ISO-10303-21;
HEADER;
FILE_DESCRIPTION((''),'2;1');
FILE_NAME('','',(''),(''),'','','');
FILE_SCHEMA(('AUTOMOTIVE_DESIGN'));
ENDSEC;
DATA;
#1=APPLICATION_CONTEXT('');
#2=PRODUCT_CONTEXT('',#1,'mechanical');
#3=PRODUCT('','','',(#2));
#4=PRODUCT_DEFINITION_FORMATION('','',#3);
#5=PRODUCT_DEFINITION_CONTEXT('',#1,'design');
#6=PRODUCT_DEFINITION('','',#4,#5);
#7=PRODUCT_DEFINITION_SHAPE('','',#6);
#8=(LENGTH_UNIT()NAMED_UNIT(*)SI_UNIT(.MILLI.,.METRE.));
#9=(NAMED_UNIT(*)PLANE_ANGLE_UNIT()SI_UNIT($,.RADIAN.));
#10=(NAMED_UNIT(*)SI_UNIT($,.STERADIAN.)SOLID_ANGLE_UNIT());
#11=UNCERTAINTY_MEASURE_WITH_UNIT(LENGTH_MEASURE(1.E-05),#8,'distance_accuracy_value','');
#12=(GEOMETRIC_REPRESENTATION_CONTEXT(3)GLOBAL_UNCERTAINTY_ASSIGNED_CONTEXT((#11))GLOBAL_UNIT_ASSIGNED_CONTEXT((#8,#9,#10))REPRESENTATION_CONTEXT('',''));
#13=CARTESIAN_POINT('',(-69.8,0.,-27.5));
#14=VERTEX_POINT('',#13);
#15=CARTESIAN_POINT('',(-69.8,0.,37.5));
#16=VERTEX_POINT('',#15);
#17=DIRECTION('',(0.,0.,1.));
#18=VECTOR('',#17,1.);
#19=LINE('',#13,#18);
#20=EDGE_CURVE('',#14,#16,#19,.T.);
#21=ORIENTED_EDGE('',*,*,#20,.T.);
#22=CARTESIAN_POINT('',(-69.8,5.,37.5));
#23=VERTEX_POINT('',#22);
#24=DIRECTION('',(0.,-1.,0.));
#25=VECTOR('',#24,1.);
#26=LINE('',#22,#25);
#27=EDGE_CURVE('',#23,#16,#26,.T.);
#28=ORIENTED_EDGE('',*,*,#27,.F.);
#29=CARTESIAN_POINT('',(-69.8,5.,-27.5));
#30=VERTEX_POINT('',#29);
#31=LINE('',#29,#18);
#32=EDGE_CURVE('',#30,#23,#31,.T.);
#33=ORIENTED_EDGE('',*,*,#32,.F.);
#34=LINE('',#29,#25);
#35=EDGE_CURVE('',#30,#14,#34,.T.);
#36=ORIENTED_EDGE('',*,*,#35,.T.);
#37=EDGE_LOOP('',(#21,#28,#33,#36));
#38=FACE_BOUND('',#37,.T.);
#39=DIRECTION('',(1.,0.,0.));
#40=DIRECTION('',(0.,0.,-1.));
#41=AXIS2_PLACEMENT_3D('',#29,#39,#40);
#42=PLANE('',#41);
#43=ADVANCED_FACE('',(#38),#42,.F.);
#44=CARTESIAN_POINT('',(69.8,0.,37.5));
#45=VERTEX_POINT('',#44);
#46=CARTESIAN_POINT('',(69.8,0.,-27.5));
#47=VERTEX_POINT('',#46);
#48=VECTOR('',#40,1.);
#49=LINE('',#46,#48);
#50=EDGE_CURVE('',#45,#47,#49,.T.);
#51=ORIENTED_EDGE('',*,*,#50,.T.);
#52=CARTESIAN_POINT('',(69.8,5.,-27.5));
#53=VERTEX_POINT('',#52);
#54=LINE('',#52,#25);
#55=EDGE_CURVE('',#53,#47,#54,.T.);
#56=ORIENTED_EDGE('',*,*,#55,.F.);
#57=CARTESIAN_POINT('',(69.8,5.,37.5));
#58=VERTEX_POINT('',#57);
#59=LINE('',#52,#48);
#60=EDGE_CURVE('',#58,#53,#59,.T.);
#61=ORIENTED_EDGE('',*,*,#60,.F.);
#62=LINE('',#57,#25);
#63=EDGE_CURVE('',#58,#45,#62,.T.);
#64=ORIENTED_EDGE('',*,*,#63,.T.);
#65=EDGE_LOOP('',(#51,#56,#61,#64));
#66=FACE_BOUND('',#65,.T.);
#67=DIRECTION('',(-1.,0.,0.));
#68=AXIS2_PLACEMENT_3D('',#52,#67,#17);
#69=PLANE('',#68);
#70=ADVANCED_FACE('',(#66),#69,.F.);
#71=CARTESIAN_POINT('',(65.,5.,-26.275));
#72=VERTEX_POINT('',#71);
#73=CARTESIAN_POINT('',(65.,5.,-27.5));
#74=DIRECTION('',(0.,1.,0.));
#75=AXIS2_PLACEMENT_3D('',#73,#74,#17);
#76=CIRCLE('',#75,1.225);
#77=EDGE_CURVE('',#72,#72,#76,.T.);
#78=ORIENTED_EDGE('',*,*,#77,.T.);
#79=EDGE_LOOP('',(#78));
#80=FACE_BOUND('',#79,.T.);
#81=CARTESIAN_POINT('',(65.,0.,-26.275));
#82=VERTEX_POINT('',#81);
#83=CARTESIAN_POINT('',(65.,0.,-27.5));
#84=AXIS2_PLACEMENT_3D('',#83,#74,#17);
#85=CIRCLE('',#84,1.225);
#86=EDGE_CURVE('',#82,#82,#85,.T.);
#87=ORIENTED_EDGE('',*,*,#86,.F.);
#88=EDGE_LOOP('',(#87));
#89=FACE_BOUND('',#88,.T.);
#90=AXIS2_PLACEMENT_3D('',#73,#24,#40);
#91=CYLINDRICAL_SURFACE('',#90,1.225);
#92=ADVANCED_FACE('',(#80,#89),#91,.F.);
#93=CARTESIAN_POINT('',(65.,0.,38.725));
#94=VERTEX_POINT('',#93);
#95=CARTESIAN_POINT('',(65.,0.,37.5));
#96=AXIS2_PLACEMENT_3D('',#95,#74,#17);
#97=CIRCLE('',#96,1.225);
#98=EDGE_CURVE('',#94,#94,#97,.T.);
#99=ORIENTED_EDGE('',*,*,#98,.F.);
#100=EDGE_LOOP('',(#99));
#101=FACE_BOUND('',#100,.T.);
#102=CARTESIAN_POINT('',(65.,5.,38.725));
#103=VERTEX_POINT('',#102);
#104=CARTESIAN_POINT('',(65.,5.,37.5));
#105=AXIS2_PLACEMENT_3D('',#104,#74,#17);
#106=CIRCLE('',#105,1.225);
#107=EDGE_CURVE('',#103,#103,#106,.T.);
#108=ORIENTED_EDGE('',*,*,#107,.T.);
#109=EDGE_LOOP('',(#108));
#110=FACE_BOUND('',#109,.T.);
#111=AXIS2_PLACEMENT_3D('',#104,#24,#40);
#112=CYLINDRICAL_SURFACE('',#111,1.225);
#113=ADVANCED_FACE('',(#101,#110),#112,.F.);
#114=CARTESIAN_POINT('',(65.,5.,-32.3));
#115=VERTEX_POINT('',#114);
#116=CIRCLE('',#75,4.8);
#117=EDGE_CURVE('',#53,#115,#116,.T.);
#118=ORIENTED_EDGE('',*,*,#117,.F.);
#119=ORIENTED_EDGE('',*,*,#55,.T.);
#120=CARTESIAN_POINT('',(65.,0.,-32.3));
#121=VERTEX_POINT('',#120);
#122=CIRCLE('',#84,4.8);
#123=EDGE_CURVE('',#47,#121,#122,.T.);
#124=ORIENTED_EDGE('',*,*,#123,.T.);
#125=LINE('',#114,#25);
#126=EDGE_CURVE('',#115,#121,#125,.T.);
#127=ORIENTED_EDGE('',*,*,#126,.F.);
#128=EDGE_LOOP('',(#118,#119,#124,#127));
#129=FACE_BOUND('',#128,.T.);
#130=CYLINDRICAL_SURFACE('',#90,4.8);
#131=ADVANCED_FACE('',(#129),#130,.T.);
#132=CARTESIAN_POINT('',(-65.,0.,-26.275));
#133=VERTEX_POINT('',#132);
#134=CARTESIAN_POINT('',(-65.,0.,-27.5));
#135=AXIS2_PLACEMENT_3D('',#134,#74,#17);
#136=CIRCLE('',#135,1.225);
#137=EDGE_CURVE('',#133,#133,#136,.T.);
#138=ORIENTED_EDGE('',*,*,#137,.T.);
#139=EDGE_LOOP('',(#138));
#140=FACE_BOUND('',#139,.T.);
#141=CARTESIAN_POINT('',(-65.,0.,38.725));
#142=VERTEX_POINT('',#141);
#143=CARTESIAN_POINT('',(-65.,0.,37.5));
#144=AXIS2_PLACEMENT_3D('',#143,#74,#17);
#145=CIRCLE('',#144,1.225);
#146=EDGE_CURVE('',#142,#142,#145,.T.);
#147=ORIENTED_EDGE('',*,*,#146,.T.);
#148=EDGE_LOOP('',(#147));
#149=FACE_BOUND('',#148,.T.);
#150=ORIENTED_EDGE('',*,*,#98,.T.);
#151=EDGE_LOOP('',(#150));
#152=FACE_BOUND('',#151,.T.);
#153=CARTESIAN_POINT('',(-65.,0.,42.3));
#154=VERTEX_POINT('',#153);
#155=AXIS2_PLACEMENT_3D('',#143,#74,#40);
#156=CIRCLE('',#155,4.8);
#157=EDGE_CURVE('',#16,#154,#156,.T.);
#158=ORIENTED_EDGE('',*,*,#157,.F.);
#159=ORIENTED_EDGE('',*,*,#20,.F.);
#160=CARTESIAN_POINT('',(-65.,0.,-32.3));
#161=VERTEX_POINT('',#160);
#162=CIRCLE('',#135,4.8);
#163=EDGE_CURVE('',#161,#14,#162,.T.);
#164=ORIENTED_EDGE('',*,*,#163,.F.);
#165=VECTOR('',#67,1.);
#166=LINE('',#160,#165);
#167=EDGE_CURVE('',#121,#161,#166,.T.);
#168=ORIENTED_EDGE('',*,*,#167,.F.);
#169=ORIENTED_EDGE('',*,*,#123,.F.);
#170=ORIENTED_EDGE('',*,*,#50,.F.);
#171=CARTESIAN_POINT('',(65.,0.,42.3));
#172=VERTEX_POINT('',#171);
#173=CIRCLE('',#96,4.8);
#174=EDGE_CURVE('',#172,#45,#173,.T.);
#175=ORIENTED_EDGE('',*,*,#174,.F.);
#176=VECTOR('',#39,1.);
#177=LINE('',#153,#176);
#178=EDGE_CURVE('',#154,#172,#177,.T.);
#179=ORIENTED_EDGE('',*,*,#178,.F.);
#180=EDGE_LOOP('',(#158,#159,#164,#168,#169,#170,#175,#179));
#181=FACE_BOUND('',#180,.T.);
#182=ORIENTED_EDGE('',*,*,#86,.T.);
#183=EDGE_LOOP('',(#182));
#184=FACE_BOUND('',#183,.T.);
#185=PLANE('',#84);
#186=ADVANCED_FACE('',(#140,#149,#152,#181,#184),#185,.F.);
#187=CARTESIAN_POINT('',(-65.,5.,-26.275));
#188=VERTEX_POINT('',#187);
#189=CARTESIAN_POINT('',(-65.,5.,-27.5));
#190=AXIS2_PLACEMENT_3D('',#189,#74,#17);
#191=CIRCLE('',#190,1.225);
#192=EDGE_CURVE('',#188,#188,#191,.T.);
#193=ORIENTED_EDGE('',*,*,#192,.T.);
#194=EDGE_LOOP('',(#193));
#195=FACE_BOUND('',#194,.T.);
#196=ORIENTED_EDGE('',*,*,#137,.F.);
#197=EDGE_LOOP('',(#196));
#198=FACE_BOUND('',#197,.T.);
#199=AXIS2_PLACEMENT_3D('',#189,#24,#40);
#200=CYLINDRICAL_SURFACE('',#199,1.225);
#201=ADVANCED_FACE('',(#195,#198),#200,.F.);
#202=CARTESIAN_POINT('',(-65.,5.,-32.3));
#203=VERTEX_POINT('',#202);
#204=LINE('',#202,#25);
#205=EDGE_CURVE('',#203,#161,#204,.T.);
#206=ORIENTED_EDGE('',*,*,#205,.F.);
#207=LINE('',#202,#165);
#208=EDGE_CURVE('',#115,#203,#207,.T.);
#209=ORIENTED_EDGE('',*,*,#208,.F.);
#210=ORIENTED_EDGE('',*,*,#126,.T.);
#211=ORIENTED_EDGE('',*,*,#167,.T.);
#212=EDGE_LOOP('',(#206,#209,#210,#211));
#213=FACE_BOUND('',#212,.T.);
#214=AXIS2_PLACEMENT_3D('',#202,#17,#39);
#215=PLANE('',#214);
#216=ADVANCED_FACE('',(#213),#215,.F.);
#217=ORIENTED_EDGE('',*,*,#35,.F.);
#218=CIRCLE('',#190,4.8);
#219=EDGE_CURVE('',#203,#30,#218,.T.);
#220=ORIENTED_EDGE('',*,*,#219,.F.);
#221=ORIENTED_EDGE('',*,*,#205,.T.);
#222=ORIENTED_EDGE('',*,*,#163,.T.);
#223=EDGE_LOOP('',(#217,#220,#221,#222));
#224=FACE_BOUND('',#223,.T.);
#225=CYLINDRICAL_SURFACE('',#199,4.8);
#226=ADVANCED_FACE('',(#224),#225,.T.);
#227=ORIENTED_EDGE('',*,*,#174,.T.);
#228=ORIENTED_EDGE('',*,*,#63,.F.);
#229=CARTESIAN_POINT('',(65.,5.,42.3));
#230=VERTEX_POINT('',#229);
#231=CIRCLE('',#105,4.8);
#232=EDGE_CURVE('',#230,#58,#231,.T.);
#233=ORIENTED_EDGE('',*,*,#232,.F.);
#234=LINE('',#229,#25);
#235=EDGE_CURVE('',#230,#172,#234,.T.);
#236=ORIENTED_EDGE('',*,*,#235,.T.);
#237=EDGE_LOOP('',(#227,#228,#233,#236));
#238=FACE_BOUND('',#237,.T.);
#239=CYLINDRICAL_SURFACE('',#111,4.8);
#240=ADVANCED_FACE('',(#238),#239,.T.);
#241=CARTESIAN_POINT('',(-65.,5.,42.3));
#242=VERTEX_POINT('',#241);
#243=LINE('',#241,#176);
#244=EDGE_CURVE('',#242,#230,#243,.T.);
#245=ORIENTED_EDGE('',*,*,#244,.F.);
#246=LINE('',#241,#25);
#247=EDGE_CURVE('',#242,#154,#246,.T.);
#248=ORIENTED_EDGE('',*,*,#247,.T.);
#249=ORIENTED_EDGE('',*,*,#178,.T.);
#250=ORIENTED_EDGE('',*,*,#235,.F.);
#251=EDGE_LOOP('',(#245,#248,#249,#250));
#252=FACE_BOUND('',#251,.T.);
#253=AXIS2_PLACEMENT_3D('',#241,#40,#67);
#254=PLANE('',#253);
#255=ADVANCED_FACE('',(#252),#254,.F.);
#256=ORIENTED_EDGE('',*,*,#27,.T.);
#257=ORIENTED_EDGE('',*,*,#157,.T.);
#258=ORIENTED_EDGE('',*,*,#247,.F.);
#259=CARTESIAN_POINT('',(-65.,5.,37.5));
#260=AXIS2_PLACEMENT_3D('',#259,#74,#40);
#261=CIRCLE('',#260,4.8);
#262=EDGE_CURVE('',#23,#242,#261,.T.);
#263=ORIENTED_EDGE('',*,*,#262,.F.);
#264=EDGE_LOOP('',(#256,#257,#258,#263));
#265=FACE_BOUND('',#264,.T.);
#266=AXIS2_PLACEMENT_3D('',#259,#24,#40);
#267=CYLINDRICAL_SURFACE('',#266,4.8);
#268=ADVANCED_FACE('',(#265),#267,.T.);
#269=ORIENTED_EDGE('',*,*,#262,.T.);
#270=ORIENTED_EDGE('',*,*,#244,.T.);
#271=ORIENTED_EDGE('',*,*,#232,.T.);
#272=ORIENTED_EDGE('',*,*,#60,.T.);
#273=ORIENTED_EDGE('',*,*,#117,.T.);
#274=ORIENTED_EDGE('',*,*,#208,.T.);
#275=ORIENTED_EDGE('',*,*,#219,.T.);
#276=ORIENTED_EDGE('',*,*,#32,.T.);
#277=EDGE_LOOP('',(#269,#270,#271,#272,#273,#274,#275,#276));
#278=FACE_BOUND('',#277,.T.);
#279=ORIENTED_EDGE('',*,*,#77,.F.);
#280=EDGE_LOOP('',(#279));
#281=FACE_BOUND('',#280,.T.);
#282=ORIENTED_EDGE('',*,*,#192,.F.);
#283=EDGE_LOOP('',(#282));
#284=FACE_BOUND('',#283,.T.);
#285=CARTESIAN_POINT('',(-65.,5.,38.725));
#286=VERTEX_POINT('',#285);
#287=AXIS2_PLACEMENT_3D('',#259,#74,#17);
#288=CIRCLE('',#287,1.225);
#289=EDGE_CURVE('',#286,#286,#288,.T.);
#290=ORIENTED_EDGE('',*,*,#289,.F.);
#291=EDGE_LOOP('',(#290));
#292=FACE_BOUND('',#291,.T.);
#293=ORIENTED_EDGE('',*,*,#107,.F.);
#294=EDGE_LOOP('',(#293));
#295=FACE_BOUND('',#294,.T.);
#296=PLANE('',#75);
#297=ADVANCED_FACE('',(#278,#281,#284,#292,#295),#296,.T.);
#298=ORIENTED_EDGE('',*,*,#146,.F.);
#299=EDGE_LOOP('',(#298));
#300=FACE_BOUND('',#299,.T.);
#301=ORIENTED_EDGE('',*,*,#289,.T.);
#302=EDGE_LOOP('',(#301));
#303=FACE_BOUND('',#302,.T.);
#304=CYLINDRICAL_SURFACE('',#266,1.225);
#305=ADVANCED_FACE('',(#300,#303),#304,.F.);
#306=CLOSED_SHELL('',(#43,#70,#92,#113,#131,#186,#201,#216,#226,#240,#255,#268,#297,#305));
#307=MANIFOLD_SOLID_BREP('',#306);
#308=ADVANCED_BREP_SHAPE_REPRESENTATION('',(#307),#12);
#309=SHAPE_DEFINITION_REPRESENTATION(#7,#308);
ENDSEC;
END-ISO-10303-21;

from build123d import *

# Parameters (mm, degrees)
SKETCH_2_R      = 1.225
EXTRUDE_2_DEPTH = 5


with BuildPart() as part:
    # 草图2 → 凸台-拉伸2 (new body)
    with BuildSketch(Plane(origin=(0, 0, 0), x_dir=(1, 0, 0), z_dir=(0, 1, 0))):
        with BuildLine():
            Line((69.8, 27.5), (69.8, -37.5))
            ThreePointArc((69.8, -37.5), (68.39411255, -40.89411255), (65, -42.3))
            Line((65, -42.3), (-65, -42.3))
            ThreePointArc((-65, -42.3), (-68.39411255, -40.89411255), (-69.8, -37.5))
            Line((-69.8, -37.5), (-69.8, 27.5))
            ThreePointArc((-69.8, 27.5), (-68.39411255, 30.89411255), (-65, 32.3))
            Line((-65, 32.3), (65, 32.3))
            ThreePointArc((65, 32.3), (68.39411255, 30.89411255), (69.8, 27.5))
        make_face()
        with Locations(Location((-65, 27.5, 0), (0, 0, 270))):
            Circle(SKETCH_2_R, mode=Mode.SUBTRACT)
        with Locations(Location((65, 27.5, 0), (0, 0, 270))):
            Circle(SKETCH_2_R, mode=Mode.SUBTRACT)
        with Locations(Location((65, -37.5, 0), (0, 0, 270))):
            Circle(SKETCH_2_R, mode=Mode.SUBTRACT)
        with Locations(Location((-65, -37.5, 0), (0, 0, 270))):
            Circle(SKETCH_2_R, mode=Mode.SUBTRACT)
    extrude(amount=EXTRUDE_2_DEPTH)


solid = part.part
